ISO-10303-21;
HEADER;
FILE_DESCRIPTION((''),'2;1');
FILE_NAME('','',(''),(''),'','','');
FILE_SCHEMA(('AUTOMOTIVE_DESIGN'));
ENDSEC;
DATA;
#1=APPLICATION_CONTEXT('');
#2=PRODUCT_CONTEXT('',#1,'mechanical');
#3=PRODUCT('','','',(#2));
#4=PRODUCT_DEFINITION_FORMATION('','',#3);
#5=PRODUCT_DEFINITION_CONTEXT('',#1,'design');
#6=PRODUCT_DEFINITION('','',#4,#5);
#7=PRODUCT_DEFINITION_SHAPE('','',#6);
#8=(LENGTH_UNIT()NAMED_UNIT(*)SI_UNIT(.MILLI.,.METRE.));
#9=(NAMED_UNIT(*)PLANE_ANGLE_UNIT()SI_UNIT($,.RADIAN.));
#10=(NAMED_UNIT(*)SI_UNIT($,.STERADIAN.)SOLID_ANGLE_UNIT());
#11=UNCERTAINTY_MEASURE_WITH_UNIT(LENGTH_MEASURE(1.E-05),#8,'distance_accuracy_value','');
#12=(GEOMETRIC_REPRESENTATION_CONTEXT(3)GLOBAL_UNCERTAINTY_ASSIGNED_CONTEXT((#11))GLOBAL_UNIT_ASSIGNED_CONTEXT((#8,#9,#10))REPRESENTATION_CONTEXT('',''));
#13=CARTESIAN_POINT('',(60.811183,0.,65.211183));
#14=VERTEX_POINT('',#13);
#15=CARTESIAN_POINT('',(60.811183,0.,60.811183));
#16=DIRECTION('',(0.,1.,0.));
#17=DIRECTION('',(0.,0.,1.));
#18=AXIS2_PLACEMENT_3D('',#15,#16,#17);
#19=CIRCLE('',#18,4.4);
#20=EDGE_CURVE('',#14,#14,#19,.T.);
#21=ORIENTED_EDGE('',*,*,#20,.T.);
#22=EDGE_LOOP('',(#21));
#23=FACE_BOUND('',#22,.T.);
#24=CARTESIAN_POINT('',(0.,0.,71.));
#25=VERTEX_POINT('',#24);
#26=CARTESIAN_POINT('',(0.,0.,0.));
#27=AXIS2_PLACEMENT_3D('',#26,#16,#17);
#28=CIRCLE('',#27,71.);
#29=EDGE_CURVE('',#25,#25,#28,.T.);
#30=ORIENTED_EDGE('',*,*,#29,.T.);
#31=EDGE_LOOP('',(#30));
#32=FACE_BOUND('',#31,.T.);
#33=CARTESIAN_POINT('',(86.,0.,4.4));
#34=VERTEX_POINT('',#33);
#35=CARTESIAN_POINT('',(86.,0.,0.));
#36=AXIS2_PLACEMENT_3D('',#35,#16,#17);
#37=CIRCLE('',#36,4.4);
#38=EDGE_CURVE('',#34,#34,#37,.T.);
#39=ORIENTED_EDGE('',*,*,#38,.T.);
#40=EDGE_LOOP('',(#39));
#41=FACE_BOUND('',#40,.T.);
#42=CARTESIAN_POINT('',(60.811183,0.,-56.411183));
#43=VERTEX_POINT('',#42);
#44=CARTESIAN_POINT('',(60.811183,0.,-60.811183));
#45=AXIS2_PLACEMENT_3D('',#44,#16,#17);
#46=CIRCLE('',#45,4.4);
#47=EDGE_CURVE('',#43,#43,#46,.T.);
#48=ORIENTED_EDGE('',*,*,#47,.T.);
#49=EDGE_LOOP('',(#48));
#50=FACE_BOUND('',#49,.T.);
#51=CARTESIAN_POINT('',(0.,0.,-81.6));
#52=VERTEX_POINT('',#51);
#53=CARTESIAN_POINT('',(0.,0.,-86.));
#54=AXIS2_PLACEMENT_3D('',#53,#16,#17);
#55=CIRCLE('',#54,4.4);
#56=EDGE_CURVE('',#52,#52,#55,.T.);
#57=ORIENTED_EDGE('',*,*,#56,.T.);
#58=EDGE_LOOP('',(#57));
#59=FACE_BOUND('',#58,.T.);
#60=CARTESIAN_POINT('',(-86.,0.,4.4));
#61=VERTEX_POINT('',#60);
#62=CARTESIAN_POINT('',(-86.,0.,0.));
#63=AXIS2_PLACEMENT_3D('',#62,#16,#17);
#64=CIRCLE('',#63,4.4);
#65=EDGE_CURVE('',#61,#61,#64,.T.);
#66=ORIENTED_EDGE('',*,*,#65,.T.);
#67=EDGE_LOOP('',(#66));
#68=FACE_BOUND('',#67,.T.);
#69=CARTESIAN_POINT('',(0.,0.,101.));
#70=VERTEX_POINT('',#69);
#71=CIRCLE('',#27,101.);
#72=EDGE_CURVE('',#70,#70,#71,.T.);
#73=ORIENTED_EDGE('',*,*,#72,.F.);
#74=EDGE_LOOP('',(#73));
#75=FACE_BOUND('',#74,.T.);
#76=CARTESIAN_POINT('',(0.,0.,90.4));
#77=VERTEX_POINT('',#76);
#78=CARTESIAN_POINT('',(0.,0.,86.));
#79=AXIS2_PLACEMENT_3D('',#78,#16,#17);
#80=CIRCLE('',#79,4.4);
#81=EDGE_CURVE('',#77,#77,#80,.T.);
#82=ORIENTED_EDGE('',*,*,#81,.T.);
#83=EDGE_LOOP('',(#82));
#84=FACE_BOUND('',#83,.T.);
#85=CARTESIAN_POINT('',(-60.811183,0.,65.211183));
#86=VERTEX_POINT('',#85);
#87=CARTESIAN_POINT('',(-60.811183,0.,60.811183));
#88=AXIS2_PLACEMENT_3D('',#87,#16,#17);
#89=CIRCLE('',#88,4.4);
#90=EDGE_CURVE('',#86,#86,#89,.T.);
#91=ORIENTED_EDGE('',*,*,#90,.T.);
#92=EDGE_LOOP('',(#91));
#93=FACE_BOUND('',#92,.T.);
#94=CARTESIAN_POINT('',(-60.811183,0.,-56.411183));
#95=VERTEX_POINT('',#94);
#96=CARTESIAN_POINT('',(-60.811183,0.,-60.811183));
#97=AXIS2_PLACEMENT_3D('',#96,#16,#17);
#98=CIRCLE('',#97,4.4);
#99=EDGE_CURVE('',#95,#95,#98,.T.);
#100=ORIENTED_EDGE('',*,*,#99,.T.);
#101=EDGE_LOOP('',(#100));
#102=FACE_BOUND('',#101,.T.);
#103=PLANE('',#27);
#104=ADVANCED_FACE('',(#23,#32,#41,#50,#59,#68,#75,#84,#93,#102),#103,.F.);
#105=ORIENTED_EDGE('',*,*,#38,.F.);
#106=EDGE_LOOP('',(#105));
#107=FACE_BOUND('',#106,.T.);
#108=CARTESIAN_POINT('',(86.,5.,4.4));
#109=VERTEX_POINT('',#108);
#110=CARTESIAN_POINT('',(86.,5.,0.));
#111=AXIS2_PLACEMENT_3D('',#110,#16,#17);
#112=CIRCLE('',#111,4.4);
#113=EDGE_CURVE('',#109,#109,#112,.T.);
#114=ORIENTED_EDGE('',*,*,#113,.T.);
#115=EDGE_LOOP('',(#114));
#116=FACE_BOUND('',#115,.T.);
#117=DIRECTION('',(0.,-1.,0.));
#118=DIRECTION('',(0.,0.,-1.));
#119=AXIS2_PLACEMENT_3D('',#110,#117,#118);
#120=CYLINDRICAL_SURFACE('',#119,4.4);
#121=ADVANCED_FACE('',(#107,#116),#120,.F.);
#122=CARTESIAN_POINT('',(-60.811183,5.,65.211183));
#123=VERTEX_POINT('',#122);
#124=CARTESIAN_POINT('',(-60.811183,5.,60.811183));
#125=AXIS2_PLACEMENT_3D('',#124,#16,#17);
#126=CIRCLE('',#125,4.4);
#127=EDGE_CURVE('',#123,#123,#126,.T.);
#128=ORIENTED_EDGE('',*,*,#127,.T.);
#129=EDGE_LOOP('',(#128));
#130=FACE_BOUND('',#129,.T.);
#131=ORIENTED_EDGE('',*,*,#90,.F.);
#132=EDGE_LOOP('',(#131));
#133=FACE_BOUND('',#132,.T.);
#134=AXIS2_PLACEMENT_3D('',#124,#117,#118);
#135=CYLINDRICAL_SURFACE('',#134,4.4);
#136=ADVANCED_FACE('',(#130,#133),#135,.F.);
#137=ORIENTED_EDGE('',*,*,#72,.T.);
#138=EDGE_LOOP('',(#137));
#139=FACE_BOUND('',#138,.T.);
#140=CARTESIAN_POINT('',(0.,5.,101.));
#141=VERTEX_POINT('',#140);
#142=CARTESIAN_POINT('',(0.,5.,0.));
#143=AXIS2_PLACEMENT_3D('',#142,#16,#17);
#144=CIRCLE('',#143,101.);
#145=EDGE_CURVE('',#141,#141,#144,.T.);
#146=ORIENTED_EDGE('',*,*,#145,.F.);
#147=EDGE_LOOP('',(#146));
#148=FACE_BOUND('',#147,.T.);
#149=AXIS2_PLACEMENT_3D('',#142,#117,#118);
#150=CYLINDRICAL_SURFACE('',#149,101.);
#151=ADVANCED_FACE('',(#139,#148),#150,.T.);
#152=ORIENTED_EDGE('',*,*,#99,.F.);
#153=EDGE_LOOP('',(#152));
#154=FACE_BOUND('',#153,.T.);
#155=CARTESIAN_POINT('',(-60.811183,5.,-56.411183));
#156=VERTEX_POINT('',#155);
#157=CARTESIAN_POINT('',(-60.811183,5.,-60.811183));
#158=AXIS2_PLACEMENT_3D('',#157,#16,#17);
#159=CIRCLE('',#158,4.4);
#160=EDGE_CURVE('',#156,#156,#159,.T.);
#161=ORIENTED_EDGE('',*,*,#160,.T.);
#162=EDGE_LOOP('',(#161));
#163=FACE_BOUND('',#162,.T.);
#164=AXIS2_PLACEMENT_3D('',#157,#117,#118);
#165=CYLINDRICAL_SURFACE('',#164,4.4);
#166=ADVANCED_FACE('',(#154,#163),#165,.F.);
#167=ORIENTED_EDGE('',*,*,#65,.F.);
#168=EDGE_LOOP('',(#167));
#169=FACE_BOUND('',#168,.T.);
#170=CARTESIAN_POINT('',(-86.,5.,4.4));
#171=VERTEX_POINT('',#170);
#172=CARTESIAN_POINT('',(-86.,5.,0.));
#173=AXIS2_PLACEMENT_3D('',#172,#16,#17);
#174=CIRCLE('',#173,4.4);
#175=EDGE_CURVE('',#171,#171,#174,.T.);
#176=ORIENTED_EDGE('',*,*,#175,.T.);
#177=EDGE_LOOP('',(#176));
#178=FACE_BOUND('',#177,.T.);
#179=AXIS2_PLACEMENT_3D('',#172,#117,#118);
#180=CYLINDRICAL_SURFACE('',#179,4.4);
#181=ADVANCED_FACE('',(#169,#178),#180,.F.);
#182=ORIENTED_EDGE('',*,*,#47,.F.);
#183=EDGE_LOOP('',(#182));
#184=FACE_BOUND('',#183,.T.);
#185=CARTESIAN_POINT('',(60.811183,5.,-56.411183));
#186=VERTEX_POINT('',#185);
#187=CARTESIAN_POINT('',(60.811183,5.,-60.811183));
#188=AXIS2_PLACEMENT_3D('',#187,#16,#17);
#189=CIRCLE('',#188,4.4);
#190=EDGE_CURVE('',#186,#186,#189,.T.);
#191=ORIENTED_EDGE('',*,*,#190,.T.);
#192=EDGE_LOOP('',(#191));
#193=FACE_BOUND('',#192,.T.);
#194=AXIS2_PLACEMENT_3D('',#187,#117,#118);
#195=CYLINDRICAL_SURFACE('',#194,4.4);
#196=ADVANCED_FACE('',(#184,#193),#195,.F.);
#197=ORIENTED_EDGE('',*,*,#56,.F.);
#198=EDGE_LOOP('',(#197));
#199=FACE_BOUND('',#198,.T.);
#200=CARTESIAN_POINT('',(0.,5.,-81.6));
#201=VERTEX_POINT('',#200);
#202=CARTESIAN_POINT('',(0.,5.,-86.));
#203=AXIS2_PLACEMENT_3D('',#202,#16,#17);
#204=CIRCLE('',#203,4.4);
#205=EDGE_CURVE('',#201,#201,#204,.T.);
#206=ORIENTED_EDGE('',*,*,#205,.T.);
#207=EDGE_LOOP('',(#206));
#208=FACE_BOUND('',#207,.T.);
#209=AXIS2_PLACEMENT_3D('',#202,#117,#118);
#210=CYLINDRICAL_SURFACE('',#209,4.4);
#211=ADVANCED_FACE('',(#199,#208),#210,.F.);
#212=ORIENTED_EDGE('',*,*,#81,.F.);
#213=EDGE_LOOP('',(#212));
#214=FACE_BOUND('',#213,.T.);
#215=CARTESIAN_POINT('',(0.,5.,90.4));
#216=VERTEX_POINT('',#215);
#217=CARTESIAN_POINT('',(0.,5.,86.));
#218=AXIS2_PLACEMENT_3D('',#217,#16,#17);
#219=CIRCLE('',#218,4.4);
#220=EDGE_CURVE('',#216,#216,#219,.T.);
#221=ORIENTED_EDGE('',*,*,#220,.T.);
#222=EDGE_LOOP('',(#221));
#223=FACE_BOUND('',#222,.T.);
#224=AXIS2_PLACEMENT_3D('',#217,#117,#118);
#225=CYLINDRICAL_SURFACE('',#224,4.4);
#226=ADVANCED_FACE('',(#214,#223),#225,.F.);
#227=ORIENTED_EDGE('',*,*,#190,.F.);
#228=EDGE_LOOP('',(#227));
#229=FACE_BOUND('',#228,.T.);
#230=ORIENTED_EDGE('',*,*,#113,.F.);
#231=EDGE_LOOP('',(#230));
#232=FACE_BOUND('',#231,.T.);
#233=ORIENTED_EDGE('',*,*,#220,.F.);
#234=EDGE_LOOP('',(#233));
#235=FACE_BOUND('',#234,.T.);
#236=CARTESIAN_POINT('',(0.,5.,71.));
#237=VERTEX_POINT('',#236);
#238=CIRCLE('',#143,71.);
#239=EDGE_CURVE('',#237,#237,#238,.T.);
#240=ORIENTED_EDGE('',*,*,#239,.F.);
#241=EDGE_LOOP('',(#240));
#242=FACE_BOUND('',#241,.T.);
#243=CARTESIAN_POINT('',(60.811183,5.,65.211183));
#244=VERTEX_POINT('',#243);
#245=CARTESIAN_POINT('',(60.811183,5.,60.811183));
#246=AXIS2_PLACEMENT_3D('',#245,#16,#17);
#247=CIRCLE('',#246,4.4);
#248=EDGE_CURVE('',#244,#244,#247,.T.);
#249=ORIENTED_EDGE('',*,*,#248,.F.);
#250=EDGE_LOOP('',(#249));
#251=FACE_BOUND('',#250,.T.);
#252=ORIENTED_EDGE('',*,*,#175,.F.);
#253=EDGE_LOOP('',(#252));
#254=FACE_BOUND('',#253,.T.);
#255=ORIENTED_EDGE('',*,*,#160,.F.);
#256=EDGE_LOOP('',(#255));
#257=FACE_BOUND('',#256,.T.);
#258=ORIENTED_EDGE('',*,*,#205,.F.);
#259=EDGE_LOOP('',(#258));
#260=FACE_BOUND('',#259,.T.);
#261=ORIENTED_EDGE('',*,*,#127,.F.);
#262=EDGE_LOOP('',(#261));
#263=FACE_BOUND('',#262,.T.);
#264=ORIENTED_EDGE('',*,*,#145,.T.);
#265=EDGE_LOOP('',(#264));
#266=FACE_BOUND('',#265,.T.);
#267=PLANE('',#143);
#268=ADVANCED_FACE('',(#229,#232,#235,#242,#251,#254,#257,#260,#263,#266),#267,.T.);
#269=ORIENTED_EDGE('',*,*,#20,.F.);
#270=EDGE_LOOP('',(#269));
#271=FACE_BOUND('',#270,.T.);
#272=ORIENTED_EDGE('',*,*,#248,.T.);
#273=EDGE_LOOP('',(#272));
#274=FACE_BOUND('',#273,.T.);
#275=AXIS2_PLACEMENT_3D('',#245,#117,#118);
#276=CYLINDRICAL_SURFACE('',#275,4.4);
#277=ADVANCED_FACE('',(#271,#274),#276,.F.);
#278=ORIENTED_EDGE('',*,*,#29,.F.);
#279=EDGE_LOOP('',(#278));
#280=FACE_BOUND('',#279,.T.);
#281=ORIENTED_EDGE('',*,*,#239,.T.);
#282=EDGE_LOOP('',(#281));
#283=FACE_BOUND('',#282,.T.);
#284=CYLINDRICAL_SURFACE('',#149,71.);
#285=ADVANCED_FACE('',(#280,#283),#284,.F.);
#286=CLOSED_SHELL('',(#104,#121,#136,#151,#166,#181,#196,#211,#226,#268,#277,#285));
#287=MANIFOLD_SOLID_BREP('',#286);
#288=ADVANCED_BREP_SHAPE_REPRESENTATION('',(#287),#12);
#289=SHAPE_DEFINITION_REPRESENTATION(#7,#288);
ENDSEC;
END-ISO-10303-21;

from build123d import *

# Parameters (mm, degrees)
SKETCH_1_R      = 101
SKETCH_1_R_2    = 71
SKETCH_1_R_3    = 4.4
EXTRUDE_1_DEPTH = 5


with BuildPart() as part:
    # Эскиз1 → Бобышка-Вытянуть1 (new body)
    with BuildSketch(Plane(origin=(0, 0, 0), x_dir=(1, 0, 0), z_dir=(0, 1, 0))):
        with Locations(Location((0, 0, 0), (0, 0, 270))):
            Circle(SKETCH_1_R)
        with Locations(Location((0, 0, 0), (0, 0, 270))):
            Circle(SKETCH_1_R_2, mode=Mode.SUBTRACT)
        with Locations(Location((86, 0, 0), (0, 0, 270))):
            Circle(SKETCH_1_R_3, mode=Mode.SUBTRACT)
        with Locations(Location((60.811183182, -60.811183182, 0), (0, 0, 270))):
            Circle(SKETCH_1_R_3, mode=Mode.SUBTRACT)
        with Locations(Location((0, -86, 0), (0, 0, 270))):
            Circle(SKETCH_1_R_3, mode=Mode.SUBTRACT)
        with Locations(Location((-60.811183182, -60.811183182, 0), (0, 0, 270))):
            Circle(SKETCH_1_R_3, mode=Mode.SUBTRACT)
        with Locations(Location((-86, 0, 0), (0, 0, 270))):
            Circle(SKETCH_1_R_3, mode=Mode.SUBTRACT)
        with Locations(Location((-60.811183182, 60.811183182, 0), (0, 0, 270))):
            Circle(SKETCH_1_R_3, mode=Mode.SUBTRACT)
        with Locations(Location((0, 86, 0), (0, 0, 270))):
            Circle(SKETCH_1_R_3, mode=Mode.SUBTRACT)
        with Locations(Location((60.811183182, 60.811183182, 0), (0, 0, 270))):
            Circle(SKETCH_1_R_3, mode=Mode.SUBTRACT)
    extrude(amount=EXTRUDE_1_DEPTH)


solid = part.part
